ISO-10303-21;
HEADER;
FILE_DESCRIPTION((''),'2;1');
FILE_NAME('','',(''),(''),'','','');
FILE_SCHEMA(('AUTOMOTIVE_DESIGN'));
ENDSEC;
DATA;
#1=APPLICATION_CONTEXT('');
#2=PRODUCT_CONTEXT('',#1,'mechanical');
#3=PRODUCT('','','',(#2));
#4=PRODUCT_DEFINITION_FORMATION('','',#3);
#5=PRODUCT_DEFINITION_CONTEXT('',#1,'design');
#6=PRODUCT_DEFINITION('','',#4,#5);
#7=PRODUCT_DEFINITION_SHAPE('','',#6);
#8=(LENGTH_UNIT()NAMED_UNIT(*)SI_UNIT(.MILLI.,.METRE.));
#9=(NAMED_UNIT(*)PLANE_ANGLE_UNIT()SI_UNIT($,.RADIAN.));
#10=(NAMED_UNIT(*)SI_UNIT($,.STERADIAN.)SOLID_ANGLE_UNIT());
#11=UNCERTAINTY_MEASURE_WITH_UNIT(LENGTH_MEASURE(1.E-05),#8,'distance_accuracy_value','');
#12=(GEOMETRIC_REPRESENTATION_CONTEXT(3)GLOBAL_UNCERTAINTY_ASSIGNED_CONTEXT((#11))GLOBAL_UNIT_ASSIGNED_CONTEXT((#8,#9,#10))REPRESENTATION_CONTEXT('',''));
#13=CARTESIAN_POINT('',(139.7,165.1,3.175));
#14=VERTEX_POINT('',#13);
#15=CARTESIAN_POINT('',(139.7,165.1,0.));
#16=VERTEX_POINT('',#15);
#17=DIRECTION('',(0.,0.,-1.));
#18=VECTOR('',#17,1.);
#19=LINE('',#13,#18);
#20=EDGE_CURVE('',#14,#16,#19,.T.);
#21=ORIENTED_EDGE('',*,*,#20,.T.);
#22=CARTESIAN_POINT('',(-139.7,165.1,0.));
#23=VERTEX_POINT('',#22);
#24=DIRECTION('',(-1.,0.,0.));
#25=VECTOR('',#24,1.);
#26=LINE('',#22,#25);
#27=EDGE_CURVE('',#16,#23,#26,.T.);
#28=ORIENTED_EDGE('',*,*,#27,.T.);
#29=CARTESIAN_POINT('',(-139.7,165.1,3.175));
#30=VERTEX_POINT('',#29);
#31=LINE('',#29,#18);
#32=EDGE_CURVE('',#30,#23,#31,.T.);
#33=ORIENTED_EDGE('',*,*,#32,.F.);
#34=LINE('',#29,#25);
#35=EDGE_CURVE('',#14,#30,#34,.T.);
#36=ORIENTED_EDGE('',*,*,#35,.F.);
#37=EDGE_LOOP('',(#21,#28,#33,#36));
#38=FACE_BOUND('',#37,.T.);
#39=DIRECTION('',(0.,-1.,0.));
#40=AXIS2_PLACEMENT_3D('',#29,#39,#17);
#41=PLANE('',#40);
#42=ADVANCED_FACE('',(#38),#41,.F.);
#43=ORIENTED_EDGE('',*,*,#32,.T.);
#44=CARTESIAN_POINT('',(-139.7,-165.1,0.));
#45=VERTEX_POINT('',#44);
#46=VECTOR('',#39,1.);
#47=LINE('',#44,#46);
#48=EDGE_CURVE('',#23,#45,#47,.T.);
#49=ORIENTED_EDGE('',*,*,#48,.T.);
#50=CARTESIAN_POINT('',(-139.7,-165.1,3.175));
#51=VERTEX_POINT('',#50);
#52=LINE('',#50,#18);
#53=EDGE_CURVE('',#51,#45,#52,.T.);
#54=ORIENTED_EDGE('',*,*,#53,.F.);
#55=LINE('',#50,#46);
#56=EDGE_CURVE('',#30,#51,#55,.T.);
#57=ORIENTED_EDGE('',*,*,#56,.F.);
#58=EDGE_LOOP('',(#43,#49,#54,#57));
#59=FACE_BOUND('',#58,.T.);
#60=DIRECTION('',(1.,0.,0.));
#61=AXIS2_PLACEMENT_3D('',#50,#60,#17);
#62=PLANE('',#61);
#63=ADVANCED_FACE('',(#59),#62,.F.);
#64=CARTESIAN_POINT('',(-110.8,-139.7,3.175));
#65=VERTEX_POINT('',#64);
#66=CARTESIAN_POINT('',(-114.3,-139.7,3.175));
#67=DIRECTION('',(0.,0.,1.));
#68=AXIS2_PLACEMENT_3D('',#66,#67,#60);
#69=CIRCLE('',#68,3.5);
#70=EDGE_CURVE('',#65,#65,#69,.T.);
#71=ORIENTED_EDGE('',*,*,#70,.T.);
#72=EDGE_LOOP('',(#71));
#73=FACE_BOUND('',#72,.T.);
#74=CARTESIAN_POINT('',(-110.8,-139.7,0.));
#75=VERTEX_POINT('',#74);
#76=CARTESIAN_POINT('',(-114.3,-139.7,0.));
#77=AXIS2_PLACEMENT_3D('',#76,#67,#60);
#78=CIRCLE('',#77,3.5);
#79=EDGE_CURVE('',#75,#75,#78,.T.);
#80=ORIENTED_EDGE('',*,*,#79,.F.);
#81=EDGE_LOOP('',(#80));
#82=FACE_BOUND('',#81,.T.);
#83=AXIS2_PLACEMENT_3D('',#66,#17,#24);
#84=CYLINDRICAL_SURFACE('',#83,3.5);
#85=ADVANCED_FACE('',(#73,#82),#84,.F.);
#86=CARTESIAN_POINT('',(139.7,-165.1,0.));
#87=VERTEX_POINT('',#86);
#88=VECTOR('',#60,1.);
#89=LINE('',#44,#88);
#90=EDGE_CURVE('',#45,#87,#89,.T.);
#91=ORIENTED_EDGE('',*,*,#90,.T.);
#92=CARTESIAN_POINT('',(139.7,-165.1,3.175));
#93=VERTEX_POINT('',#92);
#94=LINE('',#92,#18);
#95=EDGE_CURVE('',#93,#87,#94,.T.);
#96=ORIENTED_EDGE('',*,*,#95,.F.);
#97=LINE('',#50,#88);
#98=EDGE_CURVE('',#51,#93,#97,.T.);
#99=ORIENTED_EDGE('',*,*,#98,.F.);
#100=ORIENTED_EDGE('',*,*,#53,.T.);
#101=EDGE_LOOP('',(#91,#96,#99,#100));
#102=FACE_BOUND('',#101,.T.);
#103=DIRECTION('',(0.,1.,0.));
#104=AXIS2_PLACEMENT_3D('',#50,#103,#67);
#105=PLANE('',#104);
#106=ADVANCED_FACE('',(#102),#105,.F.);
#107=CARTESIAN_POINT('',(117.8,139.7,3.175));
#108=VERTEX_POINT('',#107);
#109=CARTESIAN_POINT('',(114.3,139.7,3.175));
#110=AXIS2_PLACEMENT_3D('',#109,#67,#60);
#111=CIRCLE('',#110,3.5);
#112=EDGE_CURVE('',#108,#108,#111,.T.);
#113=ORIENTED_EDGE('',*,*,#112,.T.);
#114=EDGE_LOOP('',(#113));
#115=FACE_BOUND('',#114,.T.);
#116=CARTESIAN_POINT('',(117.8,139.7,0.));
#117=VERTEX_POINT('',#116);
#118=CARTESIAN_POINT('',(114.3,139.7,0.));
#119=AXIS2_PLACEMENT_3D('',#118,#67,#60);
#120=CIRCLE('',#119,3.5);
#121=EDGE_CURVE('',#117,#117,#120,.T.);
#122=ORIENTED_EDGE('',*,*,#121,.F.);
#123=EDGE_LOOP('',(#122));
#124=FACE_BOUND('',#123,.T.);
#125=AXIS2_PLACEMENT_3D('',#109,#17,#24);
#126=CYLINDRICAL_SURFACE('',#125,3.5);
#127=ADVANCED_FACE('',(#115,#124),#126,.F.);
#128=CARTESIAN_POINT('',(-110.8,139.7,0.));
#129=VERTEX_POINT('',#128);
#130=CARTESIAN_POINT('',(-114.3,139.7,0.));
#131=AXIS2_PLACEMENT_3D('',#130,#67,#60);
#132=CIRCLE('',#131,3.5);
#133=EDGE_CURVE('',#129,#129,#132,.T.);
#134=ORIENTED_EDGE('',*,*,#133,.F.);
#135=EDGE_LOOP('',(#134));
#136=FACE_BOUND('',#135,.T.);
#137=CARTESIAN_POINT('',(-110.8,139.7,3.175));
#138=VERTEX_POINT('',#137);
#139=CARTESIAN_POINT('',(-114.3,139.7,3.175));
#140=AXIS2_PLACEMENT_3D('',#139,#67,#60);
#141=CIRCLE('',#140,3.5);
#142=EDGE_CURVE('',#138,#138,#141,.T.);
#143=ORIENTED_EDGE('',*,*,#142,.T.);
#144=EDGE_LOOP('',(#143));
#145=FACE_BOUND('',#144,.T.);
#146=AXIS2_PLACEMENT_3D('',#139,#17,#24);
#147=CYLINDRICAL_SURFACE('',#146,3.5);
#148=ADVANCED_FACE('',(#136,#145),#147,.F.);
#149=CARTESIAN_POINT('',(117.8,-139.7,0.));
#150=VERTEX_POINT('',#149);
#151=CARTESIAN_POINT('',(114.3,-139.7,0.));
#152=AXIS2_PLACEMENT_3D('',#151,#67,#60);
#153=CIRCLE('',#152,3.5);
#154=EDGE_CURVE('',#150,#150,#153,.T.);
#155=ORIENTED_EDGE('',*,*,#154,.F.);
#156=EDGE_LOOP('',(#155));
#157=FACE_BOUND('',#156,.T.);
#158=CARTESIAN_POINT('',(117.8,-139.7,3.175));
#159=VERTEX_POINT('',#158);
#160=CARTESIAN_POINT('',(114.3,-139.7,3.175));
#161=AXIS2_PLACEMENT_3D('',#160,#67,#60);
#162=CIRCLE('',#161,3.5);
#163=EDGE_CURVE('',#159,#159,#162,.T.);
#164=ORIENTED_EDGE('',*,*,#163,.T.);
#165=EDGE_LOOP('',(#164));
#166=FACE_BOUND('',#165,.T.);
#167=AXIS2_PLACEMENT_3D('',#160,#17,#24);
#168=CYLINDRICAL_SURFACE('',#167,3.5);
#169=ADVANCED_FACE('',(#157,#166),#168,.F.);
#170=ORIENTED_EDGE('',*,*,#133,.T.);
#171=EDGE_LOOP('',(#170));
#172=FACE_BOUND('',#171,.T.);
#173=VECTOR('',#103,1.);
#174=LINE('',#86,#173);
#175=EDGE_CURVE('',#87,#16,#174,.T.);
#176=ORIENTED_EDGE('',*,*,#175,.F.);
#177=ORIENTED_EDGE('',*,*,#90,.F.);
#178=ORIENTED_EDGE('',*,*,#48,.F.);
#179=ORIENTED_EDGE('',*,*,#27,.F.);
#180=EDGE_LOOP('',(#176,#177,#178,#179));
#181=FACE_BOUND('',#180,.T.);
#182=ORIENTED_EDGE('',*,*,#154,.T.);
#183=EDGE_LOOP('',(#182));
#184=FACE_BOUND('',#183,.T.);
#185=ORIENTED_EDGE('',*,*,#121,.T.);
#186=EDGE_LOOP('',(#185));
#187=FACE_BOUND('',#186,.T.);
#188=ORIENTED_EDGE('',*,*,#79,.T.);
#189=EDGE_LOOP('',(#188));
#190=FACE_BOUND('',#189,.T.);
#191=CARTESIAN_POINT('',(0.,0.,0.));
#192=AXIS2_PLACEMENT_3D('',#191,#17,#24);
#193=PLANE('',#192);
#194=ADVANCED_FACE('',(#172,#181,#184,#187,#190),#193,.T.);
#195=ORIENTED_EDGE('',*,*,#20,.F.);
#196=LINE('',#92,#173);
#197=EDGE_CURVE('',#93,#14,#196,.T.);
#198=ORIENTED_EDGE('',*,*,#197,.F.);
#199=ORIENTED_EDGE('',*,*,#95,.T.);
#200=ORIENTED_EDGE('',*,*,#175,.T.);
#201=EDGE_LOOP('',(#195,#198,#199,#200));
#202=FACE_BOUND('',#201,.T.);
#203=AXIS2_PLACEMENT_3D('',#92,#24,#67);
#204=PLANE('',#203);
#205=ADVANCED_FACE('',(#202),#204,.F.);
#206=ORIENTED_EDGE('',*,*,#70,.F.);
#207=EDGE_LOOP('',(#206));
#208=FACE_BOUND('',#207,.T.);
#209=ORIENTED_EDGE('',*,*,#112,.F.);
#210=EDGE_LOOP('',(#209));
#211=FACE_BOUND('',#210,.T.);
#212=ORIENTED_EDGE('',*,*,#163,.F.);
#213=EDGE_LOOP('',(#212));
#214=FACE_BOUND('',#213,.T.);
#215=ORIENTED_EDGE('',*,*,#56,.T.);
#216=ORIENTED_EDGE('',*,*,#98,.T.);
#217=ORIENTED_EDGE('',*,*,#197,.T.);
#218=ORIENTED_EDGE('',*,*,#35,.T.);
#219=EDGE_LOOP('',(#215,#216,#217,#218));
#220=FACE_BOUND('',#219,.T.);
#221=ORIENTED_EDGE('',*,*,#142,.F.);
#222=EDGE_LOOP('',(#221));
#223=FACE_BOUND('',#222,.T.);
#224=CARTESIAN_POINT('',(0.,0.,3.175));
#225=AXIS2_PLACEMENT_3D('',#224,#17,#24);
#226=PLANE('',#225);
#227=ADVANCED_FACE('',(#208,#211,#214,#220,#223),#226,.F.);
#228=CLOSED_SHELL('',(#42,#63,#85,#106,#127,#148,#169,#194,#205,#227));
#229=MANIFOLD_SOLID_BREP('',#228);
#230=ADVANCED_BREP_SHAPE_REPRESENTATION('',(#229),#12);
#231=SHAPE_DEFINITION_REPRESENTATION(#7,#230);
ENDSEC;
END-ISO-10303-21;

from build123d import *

# Parameters (mm, degrees)
SKETCH1_W           = 279.4
SKETCH1_H           = 330.2
SKETCH1_R           = 3.5
BOSS_EXTRUDE1_DEPTH = 3.175


with BuildPart() as part:
    # Sketch1 → Boss-Extrude1 (new body)
    with BuildSketch(Plane.XY):
        Rectangle(SKETCH1_W, SKETCH1_H)
        with Locations((-114.3, 139.7)):
            Circle(SKETCH1_R, mode=Mode.SUBTRACT)
        with Locations((114.3, 139.7)):
            Circle(SKETCH1_R, mode=Mode.SUBTRACT)
        with Locations((-114.3, -139.7)):
            Circle(SKETCH1_R, mode=Mode.SUBTRACT)
        with Locations((114.3, -139.7)):
            Circle(SKETCH1_R, mode=Mode.SUBTRACT)
    extrude(amount=BOSS_EXTRUDE1_DEPTH)


solid = part.part
